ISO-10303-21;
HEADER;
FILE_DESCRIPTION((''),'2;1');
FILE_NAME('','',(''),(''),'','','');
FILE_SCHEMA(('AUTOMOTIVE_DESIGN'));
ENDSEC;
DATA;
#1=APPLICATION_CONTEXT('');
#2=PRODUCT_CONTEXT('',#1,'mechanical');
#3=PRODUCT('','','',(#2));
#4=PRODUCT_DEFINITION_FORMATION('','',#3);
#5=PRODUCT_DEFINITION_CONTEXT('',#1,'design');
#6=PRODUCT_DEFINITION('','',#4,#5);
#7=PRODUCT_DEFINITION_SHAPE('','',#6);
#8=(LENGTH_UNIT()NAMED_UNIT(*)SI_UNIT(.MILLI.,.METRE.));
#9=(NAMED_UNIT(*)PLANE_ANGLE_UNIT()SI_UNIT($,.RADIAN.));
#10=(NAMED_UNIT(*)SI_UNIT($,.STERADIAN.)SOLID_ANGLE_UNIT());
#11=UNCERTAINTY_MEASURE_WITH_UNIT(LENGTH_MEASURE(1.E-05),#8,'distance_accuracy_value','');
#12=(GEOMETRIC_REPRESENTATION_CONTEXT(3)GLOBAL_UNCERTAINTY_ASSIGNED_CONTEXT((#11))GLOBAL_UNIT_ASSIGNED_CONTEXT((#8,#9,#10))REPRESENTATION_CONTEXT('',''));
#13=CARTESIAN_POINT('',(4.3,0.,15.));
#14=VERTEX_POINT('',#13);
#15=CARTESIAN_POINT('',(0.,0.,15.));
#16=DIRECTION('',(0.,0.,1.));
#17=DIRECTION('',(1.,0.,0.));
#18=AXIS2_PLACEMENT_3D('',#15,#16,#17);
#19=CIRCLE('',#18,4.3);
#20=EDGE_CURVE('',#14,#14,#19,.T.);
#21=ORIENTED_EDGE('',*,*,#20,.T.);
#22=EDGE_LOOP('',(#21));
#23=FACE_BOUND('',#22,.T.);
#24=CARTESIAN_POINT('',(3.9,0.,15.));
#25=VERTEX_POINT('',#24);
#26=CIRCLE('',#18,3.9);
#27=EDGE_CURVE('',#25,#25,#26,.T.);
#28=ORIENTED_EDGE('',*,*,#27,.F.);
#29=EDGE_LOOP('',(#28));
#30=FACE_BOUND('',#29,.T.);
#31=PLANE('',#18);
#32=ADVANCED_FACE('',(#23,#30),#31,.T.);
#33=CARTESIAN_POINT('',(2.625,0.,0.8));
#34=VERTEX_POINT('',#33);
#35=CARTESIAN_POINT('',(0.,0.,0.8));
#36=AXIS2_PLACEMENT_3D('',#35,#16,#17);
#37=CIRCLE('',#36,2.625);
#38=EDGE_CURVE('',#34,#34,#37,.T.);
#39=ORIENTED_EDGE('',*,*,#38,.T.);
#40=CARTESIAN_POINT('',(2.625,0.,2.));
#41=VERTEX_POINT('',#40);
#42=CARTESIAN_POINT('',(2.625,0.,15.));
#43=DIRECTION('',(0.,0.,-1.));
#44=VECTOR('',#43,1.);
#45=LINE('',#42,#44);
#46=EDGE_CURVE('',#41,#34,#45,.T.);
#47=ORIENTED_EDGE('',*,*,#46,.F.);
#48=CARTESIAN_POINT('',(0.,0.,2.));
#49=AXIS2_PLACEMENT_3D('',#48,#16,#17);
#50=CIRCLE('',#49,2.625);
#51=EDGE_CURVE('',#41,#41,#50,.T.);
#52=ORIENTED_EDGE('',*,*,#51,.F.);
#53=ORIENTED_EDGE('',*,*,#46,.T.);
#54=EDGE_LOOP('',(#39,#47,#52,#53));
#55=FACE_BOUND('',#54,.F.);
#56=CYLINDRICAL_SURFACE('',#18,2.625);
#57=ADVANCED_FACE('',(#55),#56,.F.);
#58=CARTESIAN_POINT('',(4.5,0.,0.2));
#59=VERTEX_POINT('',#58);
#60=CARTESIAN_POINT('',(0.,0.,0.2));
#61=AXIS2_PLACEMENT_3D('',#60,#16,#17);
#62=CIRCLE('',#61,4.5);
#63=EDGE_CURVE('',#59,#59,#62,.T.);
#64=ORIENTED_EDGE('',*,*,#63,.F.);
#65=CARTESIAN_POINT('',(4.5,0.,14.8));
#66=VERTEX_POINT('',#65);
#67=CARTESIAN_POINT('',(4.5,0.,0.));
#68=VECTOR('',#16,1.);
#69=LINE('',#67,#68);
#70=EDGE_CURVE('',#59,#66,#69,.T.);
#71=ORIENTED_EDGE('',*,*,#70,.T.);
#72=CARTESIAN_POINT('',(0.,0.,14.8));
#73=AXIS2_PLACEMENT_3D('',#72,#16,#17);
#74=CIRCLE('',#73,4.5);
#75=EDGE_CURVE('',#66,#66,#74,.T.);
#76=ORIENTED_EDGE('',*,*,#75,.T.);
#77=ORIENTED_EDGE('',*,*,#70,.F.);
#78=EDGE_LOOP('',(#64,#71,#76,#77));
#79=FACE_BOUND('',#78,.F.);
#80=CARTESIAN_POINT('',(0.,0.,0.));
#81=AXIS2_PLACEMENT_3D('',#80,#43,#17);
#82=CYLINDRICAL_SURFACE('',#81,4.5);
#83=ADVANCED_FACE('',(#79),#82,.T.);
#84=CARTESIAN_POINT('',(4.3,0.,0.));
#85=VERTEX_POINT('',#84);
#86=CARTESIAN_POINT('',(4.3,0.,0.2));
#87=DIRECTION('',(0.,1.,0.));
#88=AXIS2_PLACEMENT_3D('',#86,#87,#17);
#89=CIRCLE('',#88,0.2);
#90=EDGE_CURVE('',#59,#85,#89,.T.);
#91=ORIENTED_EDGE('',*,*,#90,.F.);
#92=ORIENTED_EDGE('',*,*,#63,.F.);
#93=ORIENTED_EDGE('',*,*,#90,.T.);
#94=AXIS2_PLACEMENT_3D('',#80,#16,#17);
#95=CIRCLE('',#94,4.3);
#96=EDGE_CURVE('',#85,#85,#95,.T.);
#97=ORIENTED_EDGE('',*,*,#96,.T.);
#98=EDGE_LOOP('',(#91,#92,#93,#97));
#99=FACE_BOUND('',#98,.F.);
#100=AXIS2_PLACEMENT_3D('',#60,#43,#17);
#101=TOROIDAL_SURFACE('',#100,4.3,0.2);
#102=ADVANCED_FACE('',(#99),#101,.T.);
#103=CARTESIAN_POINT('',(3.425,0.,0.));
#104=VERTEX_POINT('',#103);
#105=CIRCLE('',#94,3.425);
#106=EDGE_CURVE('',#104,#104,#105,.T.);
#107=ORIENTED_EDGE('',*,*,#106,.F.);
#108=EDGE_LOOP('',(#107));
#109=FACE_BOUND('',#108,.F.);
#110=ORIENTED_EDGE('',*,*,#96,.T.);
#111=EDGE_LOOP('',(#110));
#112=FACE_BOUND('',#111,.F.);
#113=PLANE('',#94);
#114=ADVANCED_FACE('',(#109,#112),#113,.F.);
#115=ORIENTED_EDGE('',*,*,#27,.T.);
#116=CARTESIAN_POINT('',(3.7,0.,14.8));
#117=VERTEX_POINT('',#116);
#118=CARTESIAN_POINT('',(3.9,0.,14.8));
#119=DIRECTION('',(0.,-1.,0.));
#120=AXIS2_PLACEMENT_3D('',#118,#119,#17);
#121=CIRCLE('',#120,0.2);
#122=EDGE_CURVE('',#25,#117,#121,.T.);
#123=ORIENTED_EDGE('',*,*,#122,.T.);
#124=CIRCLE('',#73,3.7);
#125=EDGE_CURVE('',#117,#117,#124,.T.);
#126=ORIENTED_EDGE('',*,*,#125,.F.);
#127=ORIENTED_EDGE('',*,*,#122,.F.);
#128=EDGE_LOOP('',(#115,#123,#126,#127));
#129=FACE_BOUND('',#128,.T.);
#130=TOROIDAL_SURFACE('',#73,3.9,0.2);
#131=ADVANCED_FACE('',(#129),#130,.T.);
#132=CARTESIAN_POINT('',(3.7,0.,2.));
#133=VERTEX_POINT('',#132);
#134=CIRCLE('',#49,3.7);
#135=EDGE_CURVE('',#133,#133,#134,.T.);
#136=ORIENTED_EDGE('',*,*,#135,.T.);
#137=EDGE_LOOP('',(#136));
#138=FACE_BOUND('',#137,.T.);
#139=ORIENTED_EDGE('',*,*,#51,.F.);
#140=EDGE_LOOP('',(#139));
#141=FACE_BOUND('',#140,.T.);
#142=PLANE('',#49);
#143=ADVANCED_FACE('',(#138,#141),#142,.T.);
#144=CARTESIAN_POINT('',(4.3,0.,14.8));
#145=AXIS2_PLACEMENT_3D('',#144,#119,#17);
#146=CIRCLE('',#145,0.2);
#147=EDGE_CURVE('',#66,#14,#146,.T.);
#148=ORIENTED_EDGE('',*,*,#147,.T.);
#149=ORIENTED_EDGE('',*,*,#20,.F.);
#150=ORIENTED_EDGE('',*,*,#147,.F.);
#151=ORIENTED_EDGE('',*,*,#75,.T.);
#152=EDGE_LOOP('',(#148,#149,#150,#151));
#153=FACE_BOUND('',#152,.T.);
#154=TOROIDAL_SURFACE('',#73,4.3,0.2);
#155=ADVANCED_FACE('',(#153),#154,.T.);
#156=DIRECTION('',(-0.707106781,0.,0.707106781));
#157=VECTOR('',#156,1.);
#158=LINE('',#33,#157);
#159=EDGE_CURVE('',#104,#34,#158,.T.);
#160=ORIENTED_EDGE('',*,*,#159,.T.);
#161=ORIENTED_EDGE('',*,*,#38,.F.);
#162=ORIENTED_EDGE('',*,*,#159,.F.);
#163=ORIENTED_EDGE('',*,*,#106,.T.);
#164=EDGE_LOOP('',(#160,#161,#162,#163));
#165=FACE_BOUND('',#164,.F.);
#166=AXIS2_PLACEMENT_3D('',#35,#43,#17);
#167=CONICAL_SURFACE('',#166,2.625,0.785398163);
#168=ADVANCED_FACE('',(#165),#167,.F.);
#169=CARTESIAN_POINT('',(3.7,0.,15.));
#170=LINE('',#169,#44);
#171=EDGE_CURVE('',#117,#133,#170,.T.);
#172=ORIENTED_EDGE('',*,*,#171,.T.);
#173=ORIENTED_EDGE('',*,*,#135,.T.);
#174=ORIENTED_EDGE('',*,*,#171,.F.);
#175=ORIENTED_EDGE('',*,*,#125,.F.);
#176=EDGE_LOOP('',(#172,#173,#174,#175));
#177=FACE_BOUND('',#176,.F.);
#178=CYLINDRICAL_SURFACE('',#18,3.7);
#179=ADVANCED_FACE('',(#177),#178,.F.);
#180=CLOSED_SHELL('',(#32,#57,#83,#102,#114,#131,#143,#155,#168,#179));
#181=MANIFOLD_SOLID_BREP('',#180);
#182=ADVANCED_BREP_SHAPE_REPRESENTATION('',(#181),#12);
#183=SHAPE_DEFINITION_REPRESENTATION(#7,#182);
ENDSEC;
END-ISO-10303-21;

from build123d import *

# Parameters (mm, degrees)
F0_R     = 4.5
F1_DEPTH = 15
F2_R     = 2.625
F3_DEPTH = 25
F2_R_2   = 3.7
F4_DEPTH = 13
F5_R     = 0.2
F6_SIZE  = 0.8


with BuildPart() as f1:
    # F0 (on Top) → F1 (new body)
    with BuildSketch(Plane.XY):
        Circle(F0_R)
    extrude(amount=F1_DEPTH)

    # F2 (on face) → F3 (cut)
    with BuildSketch(Plane.XY.offset(15)):
        Circle(F2_R)
    extrude(amount=-F3_DEPTH, mode=Mode.SUBTRACT)

    # F2 (on face) → F4 (cut)
    with BuildSketch(Plane.XY.offset(15)):
        Circle(F2_R_2)
        Circle(F2_R, mode=Mode.SUBTRACT)
    extrude(amount=-F4_DEPTH, mode=Mode.SUBTRACT)

    # F5
    f5_edges = [f1.edges().sort_by_distance(p)[0] for p in [
        (-4.5, 0, 15),
        (-3.7, 0, 15),
        (-4.5, 0, 0),
    ]]
    fillet(f5_edges, radius=F5_R)

    # F6
    f6_edges = [f1.edges().sort_by_distance(p)[0] for p in [
        (-2.625, 0, 0),
    ]]
    chamfer(f6_edges, length=F6_SIZE)


solid = f1.part
